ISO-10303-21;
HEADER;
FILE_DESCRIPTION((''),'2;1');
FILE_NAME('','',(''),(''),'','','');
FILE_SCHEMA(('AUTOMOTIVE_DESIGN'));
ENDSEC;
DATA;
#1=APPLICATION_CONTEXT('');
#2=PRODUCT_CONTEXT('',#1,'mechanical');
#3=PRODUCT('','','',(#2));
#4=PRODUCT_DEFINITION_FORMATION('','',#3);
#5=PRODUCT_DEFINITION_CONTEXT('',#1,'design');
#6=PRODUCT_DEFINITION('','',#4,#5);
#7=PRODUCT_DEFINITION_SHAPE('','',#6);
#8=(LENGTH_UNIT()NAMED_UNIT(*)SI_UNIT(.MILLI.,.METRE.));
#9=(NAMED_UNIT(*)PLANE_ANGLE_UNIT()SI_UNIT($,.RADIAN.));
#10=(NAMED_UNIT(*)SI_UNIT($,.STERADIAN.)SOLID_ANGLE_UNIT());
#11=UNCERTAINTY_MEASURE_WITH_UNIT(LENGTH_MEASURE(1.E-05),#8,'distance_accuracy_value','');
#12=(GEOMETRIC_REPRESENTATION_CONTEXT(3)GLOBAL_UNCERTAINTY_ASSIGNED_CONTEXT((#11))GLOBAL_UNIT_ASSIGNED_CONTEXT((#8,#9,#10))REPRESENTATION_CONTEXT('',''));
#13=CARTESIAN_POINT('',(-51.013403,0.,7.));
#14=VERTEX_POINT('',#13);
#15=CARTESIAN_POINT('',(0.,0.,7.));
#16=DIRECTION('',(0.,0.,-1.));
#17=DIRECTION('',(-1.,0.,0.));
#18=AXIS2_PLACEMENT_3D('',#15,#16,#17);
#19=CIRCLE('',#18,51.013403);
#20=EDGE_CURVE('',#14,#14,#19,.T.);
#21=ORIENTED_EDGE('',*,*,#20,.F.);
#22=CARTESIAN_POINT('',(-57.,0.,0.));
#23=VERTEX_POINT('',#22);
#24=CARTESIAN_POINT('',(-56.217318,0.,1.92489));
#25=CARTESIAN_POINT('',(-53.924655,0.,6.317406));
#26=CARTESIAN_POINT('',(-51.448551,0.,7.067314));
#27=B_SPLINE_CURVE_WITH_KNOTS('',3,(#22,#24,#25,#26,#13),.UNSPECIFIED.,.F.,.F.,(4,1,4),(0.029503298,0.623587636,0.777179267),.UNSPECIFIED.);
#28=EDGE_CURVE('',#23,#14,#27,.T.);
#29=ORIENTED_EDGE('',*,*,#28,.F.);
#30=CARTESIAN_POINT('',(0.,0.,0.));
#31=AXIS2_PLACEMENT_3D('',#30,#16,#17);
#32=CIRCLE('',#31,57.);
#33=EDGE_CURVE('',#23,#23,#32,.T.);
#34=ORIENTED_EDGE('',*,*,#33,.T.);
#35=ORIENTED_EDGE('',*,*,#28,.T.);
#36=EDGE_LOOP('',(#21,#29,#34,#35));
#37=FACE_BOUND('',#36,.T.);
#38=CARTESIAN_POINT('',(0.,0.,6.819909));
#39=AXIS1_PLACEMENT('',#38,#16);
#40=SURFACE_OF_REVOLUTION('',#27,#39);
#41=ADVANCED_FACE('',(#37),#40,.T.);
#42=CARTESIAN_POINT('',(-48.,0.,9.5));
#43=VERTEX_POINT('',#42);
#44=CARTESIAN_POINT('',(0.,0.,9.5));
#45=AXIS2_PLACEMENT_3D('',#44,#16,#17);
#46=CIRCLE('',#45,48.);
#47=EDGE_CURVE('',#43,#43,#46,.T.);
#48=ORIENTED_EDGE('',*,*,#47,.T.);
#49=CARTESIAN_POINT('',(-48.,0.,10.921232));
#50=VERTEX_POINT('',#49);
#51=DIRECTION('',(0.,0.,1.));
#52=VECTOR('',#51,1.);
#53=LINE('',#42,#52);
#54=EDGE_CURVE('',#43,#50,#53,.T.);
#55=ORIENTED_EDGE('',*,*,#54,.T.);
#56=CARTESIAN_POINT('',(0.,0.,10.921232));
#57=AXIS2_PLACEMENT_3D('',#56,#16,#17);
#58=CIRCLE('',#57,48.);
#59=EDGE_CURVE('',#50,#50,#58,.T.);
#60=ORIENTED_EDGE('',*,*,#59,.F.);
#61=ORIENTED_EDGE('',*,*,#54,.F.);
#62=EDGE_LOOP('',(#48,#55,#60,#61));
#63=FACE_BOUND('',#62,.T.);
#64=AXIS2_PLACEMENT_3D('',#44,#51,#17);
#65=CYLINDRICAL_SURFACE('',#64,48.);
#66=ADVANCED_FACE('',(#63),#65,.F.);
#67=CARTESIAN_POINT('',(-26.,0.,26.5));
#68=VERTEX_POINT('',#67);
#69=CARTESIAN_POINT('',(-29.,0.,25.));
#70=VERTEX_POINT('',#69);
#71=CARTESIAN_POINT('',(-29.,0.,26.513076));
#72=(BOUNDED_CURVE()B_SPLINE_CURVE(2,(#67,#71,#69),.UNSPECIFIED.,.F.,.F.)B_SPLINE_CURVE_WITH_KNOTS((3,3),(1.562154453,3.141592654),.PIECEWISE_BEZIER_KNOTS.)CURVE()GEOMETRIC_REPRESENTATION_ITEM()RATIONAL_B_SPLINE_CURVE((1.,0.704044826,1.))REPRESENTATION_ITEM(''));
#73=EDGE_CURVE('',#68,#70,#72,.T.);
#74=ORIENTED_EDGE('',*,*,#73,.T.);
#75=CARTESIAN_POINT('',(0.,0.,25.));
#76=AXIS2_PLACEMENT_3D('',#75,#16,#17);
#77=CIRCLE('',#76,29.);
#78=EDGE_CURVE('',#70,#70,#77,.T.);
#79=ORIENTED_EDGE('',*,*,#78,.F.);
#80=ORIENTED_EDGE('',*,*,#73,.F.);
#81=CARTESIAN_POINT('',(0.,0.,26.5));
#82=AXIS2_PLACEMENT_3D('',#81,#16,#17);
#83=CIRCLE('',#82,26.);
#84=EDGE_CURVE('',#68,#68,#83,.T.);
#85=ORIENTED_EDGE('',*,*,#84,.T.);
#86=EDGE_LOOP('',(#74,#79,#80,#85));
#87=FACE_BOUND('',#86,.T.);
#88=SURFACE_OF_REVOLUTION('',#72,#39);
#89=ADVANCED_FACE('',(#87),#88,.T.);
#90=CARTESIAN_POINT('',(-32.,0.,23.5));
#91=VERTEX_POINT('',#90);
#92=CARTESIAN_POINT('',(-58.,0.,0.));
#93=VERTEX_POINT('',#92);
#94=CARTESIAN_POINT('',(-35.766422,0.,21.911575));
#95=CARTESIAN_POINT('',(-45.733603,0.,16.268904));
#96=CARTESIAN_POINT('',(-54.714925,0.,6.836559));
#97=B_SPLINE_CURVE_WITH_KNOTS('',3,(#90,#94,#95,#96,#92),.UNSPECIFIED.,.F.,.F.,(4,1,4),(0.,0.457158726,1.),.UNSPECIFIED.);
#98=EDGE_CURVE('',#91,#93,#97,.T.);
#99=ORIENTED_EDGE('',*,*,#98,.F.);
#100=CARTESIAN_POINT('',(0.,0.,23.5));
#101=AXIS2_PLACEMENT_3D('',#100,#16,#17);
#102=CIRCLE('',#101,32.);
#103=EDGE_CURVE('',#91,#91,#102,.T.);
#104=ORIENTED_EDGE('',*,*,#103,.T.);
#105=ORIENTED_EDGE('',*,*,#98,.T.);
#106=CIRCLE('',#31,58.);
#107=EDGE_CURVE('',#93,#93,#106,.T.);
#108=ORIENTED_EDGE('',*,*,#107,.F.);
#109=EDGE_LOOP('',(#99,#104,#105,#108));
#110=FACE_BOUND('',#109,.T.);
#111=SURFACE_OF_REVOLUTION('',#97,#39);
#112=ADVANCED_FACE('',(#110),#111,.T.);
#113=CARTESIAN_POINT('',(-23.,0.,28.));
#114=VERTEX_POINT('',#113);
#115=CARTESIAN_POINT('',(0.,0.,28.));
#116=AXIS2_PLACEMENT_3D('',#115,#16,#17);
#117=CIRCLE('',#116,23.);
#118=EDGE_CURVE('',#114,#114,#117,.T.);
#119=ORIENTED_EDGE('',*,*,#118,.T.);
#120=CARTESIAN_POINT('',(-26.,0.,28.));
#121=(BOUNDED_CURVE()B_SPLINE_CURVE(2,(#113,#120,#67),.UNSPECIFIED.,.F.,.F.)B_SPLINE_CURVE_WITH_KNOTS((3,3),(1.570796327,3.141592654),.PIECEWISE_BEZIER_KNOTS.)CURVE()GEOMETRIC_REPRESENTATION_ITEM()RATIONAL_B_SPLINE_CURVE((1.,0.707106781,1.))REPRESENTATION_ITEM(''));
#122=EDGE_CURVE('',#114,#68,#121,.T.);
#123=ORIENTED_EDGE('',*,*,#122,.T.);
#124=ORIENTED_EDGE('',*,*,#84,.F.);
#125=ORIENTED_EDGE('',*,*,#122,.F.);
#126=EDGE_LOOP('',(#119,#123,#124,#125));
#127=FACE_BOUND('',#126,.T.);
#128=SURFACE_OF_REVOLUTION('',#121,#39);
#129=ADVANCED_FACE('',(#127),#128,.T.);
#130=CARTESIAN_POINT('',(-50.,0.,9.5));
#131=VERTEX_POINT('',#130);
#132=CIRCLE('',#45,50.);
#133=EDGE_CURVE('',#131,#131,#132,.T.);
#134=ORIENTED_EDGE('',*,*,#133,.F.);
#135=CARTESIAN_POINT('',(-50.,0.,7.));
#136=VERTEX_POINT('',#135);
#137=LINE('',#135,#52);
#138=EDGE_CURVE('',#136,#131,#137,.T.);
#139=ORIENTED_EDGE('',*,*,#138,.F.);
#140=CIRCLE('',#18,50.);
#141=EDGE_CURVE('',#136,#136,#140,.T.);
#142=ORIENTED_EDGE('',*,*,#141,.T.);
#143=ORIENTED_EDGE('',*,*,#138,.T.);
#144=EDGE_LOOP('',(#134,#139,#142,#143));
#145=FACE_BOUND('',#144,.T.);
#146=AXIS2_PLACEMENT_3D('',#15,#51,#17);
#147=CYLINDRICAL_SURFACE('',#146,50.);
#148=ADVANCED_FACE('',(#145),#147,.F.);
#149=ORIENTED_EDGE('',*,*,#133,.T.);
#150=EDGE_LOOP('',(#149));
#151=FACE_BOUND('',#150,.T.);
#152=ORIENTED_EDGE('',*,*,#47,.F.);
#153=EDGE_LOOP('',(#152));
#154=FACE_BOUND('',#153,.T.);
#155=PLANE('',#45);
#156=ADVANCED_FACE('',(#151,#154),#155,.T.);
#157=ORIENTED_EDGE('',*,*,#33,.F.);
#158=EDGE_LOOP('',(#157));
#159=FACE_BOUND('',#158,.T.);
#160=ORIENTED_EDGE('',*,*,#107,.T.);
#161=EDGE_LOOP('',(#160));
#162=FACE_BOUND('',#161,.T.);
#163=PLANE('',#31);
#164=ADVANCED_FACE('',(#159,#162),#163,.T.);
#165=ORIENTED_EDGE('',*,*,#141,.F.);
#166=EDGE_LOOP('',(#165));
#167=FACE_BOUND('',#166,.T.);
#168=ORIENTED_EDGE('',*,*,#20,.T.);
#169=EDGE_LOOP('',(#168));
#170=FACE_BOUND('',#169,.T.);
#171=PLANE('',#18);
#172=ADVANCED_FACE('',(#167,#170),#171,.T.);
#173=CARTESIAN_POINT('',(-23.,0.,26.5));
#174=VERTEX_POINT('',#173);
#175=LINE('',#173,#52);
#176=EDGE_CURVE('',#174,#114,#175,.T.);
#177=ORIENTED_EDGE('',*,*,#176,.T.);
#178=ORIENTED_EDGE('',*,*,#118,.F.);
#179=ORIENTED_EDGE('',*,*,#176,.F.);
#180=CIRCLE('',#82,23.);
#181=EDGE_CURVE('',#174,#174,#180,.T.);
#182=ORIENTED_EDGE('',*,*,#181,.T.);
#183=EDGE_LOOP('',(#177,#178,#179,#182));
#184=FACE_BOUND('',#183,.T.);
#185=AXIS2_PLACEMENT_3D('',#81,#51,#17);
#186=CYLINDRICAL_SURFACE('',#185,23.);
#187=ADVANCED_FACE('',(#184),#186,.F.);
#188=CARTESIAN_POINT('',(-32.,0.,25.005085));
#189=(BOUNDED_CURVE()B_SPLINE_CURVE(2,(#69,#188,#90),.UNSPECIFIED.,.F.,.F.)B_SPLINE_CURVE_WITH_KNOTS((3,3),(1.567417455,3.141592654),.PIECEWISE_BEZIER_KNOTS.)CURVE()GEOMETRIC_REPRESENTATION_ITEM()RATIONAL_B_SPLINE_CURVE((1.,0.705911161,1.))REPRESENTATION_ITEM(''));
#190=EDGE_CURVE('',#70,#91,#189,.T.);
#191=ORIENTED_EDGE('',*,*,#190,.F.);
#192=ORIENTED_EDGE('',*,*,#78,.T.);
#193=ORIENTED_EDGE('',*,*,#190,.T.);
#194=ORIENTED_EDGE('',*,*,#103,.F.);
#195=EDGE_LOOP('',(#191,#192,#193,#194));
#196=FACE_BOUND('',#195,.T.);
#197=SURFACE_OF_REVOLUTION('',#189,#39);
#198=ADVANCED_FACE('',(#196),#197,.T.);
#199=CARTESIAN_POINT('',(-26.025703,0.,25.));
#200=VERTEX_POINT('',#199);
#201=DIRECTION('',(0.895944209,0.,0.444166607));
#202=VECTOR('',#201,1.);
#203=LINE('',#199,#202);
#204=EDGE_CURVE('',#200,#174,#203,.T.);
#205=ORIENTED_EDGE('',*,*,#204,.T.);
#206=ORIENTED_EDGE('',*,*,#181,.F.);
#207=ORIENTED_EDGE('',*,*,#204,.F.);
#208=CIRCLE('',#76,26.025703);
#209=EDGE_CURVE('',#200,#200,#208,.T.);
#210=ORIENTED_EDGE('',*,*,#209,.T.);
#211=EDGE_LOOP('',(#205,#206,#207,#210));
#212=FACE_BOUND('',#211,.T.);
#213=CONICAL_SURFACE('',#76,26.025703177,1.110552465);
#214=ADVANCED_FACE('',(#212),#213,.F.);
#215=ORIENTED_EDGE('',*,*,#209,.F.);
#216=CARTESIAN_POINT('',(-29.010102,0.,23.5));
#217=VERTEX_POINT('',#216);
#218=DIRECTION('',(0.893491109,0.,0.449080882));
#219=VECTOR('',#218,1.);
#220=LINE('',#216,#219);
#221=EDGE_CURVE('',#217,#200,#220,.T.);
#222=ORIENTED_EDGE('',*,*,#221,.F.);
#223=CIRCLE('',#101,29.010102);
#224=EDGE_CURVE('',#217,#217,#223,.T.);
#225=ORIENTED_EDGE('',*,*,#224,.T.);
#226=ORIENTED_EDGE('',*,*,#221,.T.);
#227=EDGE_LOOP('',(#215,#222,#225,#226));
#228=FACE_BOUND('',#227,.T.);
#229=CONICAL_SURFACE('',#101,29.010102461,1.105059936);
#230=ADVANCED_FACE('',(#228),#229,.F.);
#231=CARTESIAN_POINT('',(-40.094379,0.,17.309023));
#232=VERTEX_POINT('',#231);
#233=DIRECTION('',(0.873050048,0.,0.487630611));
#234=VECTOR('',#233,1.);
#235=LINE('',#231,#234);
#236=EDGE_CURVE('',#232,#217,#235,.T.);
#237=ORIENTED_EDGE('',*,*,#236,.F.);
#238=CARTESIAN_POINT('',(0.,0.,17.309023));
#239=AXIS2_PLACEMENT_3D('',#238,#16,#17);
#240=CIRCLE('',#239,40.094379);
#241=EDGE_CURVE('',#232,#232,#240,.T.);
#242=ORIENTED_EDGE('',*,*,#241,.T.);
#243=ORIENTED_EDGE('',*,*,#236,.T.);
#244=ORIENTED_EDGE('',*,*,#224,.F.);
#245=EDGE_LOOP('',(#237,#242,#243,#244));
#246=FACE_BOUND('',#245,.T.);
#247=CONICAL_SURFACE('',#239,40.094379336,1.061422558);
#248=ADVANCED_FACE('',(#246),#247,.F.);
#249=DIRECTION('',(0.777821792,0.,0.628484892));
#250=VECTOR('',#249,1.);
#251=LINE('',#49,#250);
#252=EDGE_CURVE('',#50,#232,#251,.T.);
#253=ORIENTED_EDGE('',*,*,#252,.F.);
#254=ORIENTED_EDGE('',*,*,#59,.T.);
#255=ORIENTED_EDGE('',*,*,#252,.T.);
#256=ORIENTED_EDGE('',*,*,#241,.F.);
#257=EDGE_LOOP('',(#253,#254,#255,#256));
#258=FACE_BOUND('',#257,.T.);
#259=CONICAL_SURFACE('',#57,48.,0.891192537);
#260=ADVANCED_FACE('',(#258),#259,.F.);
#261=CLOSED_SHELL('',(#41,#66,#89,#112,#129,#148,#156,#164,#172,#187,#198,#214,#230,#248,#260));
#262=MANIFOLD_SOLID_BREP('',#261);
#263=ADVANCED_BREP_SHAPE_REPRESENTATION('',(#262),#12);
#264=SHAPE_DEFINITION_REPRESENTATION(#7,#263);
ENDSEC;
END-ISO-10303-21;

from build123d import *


with BuildPart() as f1:
    # F0 (on Front) → F1 (revolve)
    with BuildSketch(Plane.XZ):
        with BuildLine():
            add(Edge.make_bspline(
                [(-23, 28), (-26, 28), (-26, 26.5)],
                knots=[1.5707963268, 1.5707963268, 1.5707963268, 3.1415926536, 3.1415926536, 3.1415926536], degree=2, weights=[1, 0.7071067812, 1]))
            add(Edge.make_bspline(
                [(-26, 26.5), (-29, 26.5130756455), (-29, 25)],
                knots=[1.5621544533, 1.5621544533, 1.5621544533, 3.1415926536, 3.1415926536, 3.1415926536], degree=2, weights=[1, 0.704044826, 1]))
            add(Edge.make_bspline(
                [(-29, 25), (-32, 25.005085481), (-32, 23.5)],
                knots=[1.5674174552, 1.5674174552, 1.5674174552, 3.1415926536, 3.1415926536, 3.1415926536], degree=2, weights=[1, 0.7059111611, 1]))
            add(Edge.make_bspline(
                [(-32, 23.5), (-35.7664223518, 21.9115754272), (-45.7336029964, 16.2689036915), (-54.7149247659, 6.8365594602), (-58, 0)],
                knots=[0, 0, 0, 0, 0.457158726, 1, 1, 1, 1], degree=3))
            Line((-58, 0), (-57, 0))
            add(Edge.make_bspline(
                [(-57, 0), (-56.21731758, 1.9248900624), (-53.9246552734, 6.3174055544), (-51.4485512354, 7.0673137151), (-51.0134030733, 7)],
                knots=[0.0295032977, 0.0295032977, 0.0295032977, 0.0295032977, 0.6235876362, 0.7771792666, 0.7771792666, 0.7771792666, 0.7771792666], degree=3))
            Line((-51.0134030733, 7), (-50, 7))
            Line((-50, 7), (-50, 9.5))
            Line((-50, 9.5), (-48, 9.5))
            Line((-48, 9.5), (-48, 10.9212319285))
            Line((-48, 10.9212319285), (-40.0943793356, 17.3090230674))
            Line((-40.0943793356, 17.3090230674), (-29.0101024607, 23.5))
            Line((-29.0101024607, 23.5), (-26.0257031769, 25))
            Line((-26.0257031769, 25), (-23, 26.5))
            Line((-23, 26.5), (-23, 28))
        make_face()
    revolve(axis=Axis((0, 0, 6.8199094385), (0, 0, -1)))


solid = f1.part
